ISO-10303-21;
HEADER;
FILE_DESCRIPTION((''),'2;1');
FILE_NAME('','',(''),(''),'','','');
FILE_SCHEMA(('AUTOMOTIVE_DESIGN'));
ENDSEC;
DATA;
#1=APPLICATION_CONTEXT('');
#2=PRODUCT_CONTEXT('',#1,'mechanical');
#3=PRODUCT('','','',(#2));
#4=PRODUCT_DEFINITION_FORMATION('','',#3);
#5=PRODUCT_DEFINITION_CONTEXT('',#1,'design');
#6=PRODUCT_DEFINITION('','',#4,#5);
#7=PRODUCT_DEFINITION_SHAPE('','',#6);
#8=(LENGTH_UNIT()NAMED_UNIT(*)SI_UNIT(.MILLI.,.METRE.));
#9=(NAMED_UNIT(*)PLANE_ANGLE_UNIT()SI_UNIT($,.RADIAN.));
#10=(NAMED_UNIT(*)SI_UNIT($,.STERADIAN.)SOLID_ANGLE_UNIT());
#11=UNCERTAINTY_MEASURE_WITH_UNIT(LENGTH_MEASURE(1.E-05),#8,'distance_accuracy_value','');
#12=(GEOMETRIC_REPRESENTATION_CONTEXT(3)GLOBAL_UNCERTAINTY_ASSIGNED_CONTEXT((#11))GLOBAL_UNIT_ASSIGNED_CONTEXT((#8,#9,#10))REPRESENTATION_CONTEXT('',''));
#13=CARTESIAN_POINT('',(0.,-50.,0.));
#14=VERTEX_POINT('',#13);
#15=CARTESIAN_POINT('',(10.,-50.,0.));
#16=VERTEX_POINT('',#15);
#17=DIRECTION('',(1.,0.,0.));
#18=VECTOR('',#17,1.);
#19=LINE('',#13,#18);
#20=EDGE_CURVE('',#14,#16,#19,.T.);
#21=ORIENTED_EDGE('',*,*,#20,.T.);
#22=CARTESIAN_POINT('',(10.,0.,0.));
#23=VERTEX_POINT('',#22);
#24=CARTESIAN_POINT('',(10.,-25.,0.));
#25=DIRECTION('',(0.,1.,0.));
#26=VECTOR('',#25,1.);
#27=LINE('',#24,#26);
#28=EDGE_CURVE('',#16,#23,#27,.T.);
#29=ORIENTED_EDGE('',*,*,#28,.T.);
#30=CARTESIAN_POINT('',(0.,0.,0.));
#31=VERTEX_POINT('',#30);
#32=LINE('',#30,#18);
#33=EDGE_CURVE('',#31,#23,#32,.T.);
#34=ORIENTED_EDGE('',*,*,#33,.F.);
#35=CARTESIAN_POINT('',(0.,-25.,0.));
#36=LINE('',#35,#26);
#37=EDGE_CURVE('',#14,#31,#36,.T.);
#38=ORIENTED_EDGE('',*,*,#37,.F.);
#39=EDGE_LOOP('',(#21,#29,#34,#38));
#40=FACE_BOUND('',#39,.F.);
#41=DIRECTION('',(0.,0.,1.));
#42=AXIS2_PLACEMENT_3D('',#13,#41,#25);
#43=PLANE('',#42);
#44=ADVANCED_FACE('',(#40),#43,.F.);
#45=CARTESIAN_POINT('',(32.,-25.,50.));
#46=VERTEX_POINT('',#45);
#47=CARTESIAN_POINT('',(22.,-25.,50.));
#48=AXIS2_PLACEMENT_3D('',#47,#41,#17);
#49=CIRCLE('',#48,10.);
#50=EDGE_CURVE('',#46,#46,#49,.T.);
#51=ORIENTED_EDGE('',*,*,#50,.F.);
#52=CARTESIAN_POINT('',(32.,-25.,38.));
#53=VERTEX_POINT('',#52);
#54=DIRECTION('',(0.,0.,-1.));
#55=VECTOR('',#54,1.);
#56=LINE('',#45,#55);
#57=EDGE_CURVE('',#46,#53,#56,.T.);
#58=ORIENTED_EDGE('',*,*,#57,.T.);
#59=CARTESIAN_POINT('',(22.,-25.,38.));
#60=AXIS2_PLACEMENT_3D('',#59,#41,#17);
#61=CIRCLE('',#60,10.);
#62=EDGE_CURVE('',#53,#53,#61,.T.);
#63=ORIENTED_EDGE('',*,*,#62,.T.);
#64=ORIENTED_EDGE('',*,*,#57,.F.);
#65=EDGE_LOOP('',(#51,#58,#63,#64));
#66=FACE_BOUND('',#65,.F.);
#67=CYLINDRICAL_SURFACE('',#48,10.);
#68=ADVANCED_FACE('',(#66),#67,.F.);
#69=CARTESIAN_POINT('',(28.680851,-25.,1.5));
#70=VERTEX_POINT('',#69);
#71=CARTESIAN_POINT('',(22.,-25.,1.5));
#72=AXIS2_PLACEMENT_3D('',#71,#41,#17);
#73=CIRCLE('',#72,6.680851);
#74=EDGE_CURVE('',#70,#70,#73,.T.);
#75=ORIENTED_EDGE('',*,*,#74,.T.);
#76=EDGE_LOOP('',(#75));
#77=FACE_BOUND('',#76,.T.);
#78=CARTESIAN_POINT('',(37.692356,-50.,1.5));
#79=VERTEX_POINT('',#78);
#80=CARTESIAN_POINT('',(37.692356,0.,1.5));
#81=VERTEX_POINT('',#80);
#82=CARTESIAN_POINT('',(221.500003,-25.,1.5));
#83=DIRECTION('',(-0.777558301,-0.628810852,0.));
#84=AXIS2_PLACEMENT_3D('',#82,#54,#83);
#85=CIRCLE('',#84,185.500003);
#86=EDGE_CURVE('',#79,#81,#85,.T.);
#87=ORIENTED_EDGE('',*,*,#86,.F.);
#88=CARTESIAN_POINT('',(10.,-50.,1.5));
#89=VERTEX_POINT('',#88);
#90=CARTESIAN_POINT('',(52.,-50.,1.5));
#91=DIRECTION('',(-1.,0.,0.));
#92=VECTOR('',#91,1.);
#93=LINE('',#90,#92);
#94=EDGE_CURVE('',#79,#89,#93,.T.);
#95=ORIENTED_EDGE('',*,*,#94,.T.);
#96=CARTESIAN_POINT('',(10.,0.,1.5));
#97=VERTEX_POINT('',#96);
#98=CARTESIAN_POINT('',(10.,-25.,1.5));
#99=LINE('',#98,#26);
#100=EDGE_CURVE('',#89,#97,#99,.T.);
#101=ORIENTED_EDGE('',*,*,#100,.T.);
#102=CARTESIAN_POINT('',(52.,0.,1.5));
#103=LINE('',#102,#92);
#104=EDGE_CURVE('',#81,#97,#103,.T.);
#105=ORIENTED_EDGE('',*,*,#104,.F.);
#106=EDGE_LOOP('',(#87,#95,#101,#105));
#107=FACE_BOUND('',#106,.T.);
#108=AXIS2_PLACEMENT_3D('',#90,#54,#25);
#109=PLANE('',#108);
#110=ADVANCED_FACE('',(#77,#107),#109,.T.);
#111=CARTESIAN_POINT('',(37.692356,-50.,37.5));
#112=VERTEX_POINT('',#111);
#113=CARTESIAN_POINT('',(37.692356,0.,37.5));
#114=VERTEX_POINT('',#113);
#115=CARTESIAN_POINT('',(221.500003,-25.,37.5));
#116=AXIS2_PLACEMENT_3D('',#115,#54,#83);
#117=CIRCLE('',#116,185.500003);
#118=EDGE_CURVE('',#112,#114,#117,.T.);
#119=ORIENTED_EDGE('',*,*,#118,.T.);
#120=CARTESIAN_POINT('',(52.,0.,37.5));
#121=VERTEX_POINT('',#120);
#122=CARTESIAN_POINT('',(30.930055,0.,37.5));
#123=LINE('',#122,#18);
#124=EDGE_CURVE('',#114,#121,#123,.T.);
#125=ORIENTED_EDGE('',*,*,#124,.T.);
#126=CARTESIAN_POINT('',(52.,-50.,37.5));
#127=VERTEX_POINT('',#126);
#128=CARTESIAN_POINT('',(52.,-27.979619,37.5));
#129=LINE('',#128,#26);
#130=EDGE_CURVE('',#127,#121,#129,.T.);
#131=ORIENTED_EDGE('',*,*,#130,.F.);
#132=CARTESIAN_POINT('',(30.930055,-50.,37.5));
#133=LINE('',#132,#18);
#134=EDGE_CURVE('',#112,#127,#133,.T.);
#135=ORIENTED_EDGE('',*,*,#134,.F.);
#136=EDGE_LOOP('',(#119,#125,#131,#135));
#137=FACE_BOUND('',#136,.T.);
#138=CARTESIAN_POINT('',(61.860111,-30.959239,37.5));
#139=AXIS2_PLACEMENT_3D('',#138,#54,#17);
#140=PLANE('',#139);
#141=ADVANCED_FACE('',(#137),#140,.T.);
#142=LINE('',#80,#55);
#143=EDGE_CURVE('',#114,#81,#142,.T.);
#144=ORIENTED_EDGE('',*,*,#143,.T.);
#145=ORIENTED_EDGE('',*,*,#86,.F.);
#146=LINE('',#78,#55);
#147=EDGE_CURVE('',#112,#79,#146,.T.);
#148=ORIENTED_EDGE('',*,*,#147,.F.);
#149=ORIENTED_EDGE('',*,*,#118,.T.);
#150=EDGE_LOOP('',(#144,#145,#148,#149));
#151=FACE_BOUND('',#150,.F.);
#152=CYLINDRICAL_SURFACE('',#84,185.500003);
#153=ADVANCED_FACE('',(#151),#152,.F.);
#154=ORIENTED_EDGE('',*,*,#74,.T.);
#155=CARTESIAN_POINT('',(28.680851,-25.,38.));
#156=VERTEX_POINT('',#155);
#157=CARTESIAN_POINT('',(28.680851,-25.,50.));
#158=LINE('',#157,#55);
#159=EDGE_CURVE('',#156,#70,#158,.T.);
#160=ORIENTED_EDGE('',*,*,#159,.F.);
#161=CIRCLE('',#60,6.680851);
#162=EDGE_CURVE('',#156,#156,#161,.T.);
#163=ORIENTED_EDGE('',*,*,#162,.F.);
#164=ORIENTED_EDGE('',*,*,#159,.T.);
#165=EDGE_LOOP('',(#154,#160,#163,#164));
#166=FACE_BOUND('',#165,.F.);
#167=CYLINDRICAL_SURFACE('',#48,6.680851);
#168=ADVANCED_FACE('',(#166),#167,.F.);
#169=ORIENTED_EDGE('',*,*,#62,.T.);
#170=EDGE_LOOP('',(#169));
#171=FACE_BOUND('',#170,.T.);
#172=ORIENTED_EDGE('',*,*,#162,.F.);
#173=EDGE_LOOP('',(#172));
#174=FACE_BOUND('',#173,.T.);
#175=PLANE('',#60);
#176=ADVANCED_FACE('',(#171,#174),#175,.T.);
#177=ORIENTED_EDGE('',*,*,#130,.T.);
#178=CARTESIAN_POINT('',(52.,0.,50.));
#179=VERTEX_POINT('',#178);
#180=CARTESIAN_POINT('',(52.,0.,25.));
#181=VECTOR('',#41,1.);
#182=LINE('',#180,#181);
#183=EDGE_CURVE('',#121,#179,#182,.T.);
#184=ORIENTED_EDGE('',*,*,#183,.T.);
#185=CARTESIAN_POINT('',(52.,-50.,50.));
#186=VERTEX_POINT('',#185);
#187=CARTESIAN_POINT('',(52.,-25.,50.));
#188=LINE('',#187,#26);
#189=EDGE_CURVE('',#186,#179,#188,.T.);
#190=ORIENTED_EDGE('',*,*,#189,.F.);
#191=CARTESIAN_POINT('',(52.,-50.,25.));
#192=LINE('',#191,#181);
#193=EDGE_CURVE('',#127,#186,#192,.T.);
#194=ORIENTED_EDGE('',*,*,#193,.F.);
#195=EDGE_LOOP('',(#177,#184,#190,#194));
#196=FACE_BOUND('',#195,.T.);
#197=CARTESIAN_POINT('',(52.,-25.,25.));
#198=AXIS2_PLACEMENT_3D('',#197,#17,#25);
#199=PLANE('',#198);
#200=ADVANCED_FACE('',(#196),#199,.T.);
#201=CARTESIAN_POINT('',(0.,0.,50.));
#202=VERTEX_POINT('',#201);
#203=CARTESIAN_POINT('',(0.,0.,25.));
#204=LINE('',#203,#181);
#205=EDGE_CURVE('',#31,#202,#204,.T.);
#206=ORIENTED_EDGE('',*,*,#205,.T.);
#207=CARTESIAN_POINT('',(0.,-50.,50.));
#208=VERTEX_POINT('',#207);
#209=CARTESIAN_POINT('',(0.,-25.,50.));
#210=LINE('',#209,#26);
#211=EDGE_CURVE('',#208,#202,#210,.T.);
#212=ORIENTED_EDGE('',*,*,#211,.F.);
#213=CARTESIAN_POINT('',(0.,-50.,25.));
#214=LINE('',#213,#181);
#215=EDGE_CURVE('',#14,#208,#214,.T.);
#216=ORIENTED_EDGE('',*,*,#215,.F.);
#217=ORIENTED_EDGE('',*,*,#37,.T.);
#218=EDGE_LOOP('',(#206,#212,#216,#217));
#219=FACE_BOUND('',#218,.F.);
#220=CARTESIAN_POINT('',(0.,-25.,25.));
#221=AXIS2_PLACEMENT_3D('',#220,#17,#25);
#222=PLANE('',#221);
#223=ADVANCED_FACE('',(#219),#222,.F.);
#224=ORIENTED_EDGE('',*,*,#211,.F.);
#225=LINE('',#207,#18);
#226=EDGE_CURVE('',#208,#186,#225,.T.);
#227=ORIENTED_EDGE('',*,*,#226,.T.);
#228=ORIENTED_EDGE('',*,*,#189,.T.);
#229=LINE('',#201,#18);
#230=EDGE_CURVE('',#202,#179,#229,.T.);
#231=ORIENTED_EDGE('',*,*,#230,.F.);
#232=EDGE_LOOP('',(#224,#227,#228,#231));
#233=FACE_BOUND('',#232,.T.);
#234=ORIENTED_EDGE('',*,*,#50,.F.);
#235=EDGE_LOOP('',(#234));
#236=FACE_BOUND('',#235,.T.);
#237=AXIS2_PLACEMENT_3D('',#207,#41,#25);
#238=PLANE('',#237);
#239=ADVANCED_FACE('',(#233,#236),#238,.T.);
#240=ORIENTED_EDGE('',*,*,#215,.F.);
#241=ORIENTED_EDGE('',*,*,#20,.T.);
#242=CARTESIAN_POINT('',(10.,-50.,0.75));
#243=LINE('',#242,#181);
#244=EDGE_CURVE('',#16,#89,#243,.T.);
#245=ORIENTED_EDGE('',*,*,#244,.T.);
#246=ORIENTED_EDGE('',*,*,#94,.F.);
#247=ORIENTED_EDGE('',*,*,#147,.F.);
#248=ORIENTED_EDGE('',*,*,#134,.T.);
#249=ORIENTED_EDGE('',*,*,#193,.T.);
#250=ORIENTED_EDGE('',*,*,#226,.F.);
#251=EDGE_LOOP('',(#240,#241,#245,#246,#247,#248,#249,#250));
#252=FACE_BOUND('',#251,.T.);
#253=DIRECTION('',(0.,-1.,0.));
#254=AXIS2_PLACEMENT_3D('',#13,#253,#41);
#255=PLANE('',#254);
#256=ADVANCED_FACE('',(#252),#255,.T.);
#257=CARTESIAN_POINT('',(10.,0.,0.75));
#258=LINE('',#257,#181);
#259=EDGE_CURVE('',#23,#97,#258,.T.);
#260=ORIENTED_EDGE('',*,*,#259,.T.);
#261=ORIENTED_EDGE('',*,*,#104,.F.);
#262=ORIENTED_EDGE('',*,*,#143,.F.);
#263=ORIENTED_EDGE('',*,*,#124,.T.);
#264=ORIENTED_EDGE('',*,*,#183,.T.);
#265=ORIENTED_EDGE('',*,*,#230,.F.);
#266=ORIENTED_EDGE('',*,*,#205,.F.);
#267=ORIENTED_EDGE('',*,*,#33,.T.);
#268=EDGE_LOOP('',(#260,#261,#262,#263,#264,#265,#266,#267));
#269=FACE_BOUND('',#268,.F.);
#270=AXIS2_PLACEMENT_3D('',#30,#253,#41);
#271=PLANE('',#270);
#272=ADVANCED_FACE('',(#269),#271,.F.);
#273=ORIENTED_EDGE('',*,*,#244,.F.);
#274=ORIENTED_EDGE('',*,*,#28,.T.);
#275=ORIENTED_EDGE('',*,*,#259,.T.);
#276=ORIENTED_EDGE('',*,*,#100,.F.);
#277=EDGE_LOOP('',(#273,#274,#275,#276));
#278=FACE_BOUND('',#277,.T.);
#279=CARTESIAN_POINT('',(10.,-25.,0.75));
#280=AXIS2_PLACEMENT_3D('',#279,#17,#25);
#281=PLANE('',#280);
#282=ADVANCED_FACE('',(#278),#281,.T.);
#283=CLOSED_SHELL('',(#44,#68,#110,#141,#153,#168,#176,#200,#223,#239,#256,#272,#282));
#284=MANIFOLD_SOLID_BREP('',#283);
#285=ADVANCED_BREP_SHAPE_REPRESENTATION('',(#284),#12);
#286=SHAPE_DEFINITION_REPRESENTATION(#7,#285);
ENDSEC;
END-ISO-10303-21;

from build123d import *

# Parameters (mm, degrees)
F0_W     = 50
F0_H     = 50
F1_DEPTH = 52
F2_W     = 50
F2_H     = 1.5
F3_DEPTH = 42
F5_DEPTH = 36
F6_R     = 6.680851
F7_DEPTH = 65.6
F8_R     = 10
F9_DEPTH = 12


with BuildPart() as f1:
    # F0 (on Right) → F1 (new body)
    with BuildSketch(Plane.YZ):
        with Locations((-25, 25)):
            Rectangle(F0_W, F0_H)
    extrude(amount=F1_DEPTH)

    # F2 (on face) → F3 (cut)
    with BuildSketch(Plane.YZ.offset(52)):
        with Locations((-25, 0.75)):
            Rectangle(F2_W, F2_H)
    extrude(amount=-F3_DEPTH, mode=Mode.SUBTRACT)

    # F4 (on face) → F5 (cut)
    with BuildSketch(Plane(origin=(0, 0, 1.5), x_dir=(1, 0, 0), z_dir=(0, 0, -1))):
        with BuildLine():
            Line((68.967977, -80.566245), (77.262936, 141.644415))
            ThreePointArc((77.262936, 141.644415), (36.12911, 31.919758), (68.967977, -80.566245))
        make_face()
    extrude(amount=-F5_DEPTH, mode=Mode.SUBTRACT)

    # F6 (on face) → F7 (cut)
    with BuildSketch(Plane.XY.offset(50)):
        with Locations((22, -25)):
            Circle(F6_R)
    extrude(amount=-F7_DEPTH, mode=Mode.SUBTRACT)

    # F8 (on face) → F9 (cut)
    with BuildSketch(Plane.XY.offset(50)):
        with Locations((22, -25)):
            Circle(F8_R)
    extrude(amount=-F9_DEPTH, mode=Mode.SUBTRACT)


solid = f1.part
